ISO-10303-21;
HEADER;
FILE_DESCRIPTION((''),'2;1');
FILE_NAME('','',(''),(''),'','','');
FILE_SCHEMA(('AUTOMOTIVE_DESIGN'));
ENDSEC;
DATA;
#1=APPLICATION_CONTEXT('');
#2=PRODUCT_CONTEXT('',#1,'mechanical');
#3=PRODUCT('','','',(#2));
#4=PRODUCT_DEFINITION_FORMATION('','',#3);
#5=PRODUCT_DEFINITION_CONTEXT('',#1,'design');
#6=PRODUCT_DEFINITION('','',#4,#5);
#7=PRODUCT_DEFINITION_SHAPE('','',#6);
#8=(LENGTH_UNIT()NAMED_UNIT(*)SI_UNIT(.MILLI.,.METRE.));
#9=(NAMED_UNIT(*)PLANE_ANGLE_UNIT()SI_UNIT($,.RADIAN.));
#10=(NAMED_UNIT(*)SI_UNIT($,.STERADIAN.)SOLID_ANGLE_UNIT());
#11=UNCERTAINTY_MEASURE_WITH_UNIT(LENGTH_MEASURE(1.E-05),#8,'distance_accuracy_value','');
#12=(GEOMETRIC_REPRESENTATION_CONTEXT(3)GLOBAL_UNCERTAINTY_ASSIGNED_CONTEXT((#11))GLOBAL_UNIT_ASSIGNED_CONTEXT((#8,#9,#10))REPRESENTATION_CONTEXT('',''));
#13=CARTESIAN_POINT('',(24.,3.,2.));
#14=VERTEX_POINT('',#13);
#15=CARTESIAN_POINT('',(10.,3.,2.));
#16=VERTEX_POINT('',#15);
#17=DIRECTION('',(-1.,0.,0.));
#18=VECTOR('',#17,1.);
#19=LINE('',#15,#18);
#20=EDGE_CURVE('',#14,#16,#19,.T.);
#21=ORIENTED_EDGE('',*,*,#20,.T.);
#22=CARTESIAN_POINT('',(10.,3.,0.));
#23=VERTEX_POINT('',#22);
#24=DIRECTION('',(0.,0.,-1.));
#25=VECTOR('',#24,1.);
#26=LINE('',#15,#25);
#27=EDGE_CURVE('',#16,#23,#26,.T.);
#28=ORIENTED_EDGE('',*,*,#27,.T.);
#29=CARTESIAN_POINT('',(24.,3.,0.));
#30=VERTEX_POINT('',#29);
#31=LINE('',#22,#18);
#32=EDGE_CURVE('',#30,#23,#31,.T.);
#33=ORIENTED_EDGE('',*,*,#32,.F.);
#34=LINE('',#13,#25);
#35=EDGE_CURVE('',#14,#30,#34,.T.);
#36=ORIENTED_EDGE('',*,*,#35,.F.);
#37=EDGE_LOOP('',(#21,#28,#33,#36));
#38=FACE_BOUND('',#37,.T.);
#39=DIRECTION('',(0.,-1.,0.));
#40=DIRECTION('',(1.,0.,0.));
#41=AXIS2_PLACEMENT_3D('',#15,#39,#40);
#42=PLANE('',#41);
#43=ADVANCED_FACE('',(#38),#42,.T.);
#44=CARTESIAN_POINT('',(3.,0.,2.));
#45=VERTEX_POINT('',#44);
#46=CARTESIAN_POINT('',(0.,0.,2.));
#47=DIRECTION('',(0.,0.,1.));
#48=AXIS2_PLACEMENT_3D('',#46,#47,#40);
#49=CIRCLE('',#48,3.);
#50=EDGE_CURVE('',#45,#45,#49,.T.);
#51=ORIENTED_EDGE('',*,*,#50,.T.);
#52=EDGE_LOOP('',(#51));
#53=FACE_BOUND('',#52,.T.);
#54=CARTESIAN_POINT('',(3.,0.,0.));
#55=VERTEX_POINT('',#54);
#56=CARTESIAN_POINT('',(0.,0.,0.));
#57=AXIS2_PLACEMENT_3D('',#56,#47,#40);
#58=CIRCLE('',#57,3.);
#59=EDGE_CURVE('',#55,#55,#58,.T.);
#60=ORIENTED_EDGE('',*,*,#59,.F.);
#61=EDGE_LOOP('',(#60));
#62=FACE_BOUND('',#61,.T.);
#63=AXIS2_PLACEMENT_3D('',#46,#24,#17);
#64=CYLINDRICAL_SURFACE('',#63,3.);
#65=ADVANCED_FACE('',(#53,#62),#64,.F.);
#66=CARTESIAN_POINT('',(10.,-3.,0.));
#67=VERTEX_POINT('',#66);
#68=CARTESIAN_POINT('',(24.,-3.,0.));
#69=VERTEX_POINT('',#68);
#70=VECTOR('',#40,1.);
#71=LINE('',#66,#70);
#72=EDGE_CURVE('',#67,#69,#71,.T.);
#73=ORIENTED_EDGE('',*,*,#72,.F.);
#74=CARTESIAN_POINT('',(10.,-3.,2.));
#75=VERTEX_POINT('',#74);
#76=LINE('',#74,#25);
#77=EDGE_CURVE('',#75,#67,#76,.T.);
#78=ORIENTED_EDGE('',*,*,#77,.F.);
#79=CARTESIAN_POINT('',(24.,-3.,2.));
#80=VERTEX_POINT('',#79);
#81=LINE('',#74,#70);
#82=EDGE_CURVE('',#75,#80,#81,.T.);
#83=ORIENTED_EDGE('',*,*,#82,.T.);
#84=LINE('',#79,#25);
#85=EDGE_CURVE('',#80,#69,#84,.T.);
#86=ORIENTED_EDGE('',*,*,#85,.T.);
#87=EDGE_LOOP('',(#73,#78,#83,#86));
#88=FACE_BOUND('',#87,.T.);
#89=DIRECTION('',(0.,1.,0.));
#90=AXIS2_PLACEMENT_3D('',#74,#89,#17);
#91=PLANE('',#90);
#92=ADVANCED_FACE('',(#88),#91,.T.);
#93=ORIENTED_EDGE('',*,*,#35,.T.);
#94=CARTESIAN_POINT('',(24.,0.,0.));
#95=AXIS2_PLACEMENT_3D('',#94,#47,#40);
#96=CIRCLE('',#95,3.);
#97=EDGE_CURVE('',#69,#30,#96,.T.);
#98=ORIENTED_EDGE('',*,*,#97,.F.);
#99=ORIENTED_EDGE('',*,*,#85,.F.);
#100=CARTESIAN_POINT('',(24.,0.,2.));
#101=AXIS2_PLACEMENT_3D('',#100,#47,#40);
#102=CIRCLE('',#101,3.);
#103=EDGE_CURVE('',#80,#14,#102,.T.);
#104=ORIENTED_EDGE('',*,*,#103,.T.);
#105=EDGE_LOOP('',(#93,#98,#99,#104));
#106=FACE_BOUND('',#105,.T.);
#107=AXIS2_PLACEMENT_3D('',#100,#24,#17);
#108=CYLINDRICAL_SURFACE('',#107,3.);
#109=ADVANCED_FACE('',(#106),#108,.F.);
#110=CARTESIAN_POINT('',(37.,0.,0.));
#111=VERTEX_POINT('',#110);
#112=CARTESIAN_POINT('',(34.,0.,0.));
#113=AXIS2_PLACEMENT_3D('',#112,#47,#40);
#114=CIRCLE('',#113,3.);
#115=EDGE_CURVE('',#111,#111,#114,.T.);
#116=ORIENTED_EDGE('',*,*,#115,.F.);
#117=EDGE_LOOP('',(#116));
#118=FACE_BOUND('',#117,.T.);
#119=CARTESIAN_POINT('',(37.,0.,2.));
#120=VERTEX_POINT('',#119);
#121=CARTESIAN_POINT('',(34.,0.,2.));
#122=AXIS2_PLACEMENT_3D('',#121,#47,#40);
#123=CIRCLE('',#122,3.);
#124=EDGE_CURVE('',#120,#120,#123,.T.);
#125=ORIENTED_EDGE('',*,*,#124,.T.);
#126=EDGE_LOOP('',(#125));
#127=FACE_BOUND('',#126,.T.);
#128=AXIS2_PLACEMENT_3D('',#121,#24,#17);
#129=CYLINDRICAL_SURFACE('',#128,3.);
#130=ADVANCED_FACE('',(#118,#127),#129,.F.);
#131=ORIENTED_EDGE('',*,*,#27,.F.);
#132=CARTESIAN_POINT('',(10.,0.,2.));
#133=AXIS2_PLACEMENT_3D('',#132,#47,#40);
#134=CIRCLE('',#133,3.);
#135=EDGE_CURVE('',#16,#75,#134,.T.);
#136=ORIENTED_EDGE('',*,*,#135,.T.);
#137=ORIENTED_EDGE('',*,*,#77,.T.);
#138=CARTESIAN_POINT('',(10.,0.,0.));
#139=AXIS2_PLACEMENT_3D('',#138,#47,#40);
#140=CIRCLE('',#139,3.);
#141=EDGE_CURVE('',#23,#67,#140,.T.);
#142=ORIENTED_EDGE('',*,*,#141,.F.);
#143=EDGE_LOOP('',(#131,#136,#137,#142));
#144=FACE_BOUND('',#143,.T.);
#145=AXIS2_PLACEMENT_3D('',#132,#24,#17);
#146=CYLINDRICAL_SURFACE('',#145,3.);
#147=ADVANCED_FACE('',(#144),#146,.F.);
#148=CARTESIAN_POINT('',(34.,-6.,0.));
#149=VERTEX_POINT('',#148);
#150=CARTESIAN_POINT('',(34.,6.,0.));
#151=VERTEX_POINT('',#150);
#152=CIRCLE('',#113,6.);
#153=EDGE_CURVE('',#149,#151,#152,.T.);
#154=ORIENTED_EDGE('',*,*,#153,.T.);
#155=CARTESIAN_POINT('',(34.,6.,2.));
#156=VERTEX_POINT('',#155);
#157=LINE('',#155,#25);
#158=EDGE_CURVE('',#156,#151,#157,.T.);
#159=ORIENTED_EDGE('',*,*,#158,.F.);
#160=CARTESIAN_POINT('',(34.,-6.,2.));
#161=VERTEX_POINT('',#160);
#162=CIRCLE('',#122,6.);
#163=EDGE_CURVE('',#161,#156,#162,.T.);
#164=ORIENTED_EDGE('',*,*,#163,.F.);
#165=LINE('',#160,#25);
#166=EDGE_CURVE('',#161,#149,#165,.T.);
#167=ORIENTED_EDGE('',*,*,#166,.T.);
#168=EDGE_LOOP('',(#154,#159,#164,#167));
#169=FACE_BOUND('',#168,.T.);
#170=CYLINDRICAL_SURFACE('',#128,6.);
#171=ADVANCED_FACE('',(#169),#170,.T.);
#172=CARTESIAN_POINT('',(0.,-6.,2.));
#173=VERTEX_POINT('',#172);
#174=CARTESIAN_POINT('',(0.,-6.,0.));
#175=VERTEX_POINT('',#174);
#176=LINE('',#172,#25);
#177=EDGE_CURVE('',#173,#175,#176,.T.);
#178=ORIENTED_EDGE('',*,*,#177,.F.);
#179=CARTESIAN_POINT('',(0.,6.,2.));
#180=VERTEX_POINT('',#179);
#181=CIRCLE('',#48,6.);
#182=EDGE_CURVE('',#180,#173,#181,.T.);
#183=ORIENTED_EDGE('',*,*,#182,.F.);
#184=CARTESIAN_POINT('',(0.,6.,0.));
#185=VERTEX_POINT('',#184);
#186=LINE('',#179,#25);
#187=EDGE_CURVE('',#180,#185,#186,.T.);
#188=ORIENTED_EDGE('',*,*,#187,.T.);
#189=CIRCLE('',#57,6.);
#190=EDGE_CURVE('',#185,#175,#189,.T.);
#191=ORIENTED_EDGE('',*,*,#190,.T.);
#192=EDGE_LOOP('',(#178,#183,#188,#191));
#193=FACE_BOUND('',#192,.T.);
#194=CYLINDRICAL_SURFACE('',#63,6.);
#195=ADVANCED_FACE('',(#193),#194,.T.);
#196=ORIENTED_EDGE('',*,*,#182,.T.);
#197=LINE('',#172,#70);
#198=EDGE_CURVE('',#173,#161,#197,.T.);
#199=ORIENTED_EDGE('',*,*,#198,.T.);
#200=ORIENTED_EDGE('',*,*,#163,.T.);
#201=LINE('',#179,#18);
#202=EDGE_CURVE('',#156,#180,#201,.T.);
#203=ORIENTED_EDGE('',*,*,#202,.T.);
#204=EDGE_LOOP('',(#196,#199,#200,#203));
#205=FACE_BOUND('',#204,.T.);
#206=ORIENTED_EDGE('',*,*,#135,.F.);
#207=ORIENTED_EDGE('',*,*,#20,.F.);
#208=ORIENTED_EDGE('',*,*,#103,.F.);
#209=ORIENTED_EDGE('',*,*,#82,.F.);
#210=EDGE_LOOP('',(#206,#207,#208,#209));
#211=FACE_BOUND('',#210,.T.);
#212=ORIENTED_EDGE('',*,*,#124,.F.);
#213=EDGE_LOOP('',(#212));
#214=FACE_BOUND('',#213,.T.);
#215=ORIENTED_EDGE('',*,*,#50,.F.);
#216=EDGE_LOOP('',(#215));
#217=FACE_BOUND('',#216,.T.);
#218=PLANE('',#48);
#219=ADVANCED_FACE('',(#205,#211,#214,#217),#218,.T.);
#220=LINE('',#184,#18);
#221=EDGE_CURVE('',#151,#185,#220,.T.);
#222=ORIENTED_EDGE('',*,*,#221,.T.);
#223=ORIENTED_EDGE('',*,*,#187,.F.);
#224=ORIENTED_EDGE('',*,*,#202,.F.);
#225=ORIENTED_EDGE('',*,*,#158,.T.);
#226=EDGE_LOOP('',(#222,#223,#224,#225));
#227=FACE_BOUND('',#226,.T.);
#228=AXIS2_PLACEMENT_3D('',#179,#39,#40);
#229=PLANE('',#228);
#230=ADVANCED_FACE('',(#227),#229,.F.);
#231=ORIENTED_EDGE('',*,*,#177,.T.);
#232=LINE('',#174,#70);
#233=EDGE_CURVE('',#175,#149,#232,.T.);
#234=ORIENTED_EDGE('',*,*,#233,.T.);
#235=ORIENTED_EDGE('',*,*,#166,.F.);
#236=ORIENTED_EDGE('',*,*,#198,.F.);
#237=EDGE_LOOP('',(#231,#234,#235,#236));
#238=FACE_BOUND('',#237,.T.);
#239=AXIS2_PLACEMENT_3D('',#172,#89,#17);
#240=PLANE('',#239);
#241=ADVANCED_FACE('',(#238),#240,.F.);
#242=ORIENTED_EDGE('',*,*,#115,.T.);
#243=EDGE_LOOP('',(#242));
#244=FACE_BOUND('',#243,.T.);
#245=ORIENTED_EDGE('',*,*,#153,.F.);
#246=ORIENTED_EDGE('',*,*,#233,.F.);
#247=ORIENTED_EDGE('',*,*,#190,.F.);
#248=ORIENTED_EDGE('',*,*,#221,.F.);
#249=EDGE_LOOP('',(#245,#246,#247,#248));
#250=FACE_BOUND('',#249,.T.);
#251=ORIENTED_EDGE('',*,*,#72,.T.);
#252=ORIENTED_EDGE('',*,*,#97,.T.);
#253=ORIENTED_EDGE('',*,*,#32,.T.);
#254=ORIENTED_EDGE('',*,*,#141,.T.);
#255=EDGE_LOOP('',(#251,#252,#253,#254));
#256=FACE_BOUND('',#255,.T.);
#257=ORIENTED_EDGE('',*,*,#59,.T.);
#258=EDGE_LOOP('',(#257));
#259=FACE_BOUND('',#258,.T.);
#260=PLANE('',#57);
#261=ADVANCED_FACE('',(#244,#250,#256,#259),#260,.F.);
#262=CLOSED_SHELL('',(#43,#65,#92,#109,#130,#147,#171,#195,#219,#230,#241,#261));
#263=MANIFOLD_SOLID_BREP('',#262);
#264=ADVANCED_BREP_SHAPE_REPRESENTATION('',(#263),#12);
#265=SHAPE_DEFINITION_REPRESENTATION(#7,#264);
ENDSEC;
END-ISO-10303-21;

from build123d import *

# Parameters (mm, degrees)
SKETCH_2_R      = 3
EXTRUDE_1_DEPTH = 2


with BuildPart() as part:
    # 草图2 → 凸台-拉伸1 (new body)
    with BuildSketch(Plane.XY):
        with BuildLine():
            Line((0, 6), (34, 6))
            ThreePointArc((34, 6), (40, 0), (34, -6))
            Line((34, -6), (0, -6))
            ThreePointArc((0, -6), (-6, 0), (0, 6))
        make_face()
        Circle(SKETCH_2_R, mode=Mode.SUBTRACT)
        with Locations((34, 0)):
            Circle(SKETCH_2_R, mode=Mode.SUBTRACT)
        with BuildLine():
            Line((10, 3), (24, 3))
            ThreePointArc((24, 3), (27, 0), (24, -3))
            Line((24, -3), (10, -3))
            ThreePointArc((10, -3), (7, 0), (10, 3))
        make_face(mode=Mode.SUBTRACT)
    extrude(amount=EXTRUDE_1_DEPTH)


solid = part.part
